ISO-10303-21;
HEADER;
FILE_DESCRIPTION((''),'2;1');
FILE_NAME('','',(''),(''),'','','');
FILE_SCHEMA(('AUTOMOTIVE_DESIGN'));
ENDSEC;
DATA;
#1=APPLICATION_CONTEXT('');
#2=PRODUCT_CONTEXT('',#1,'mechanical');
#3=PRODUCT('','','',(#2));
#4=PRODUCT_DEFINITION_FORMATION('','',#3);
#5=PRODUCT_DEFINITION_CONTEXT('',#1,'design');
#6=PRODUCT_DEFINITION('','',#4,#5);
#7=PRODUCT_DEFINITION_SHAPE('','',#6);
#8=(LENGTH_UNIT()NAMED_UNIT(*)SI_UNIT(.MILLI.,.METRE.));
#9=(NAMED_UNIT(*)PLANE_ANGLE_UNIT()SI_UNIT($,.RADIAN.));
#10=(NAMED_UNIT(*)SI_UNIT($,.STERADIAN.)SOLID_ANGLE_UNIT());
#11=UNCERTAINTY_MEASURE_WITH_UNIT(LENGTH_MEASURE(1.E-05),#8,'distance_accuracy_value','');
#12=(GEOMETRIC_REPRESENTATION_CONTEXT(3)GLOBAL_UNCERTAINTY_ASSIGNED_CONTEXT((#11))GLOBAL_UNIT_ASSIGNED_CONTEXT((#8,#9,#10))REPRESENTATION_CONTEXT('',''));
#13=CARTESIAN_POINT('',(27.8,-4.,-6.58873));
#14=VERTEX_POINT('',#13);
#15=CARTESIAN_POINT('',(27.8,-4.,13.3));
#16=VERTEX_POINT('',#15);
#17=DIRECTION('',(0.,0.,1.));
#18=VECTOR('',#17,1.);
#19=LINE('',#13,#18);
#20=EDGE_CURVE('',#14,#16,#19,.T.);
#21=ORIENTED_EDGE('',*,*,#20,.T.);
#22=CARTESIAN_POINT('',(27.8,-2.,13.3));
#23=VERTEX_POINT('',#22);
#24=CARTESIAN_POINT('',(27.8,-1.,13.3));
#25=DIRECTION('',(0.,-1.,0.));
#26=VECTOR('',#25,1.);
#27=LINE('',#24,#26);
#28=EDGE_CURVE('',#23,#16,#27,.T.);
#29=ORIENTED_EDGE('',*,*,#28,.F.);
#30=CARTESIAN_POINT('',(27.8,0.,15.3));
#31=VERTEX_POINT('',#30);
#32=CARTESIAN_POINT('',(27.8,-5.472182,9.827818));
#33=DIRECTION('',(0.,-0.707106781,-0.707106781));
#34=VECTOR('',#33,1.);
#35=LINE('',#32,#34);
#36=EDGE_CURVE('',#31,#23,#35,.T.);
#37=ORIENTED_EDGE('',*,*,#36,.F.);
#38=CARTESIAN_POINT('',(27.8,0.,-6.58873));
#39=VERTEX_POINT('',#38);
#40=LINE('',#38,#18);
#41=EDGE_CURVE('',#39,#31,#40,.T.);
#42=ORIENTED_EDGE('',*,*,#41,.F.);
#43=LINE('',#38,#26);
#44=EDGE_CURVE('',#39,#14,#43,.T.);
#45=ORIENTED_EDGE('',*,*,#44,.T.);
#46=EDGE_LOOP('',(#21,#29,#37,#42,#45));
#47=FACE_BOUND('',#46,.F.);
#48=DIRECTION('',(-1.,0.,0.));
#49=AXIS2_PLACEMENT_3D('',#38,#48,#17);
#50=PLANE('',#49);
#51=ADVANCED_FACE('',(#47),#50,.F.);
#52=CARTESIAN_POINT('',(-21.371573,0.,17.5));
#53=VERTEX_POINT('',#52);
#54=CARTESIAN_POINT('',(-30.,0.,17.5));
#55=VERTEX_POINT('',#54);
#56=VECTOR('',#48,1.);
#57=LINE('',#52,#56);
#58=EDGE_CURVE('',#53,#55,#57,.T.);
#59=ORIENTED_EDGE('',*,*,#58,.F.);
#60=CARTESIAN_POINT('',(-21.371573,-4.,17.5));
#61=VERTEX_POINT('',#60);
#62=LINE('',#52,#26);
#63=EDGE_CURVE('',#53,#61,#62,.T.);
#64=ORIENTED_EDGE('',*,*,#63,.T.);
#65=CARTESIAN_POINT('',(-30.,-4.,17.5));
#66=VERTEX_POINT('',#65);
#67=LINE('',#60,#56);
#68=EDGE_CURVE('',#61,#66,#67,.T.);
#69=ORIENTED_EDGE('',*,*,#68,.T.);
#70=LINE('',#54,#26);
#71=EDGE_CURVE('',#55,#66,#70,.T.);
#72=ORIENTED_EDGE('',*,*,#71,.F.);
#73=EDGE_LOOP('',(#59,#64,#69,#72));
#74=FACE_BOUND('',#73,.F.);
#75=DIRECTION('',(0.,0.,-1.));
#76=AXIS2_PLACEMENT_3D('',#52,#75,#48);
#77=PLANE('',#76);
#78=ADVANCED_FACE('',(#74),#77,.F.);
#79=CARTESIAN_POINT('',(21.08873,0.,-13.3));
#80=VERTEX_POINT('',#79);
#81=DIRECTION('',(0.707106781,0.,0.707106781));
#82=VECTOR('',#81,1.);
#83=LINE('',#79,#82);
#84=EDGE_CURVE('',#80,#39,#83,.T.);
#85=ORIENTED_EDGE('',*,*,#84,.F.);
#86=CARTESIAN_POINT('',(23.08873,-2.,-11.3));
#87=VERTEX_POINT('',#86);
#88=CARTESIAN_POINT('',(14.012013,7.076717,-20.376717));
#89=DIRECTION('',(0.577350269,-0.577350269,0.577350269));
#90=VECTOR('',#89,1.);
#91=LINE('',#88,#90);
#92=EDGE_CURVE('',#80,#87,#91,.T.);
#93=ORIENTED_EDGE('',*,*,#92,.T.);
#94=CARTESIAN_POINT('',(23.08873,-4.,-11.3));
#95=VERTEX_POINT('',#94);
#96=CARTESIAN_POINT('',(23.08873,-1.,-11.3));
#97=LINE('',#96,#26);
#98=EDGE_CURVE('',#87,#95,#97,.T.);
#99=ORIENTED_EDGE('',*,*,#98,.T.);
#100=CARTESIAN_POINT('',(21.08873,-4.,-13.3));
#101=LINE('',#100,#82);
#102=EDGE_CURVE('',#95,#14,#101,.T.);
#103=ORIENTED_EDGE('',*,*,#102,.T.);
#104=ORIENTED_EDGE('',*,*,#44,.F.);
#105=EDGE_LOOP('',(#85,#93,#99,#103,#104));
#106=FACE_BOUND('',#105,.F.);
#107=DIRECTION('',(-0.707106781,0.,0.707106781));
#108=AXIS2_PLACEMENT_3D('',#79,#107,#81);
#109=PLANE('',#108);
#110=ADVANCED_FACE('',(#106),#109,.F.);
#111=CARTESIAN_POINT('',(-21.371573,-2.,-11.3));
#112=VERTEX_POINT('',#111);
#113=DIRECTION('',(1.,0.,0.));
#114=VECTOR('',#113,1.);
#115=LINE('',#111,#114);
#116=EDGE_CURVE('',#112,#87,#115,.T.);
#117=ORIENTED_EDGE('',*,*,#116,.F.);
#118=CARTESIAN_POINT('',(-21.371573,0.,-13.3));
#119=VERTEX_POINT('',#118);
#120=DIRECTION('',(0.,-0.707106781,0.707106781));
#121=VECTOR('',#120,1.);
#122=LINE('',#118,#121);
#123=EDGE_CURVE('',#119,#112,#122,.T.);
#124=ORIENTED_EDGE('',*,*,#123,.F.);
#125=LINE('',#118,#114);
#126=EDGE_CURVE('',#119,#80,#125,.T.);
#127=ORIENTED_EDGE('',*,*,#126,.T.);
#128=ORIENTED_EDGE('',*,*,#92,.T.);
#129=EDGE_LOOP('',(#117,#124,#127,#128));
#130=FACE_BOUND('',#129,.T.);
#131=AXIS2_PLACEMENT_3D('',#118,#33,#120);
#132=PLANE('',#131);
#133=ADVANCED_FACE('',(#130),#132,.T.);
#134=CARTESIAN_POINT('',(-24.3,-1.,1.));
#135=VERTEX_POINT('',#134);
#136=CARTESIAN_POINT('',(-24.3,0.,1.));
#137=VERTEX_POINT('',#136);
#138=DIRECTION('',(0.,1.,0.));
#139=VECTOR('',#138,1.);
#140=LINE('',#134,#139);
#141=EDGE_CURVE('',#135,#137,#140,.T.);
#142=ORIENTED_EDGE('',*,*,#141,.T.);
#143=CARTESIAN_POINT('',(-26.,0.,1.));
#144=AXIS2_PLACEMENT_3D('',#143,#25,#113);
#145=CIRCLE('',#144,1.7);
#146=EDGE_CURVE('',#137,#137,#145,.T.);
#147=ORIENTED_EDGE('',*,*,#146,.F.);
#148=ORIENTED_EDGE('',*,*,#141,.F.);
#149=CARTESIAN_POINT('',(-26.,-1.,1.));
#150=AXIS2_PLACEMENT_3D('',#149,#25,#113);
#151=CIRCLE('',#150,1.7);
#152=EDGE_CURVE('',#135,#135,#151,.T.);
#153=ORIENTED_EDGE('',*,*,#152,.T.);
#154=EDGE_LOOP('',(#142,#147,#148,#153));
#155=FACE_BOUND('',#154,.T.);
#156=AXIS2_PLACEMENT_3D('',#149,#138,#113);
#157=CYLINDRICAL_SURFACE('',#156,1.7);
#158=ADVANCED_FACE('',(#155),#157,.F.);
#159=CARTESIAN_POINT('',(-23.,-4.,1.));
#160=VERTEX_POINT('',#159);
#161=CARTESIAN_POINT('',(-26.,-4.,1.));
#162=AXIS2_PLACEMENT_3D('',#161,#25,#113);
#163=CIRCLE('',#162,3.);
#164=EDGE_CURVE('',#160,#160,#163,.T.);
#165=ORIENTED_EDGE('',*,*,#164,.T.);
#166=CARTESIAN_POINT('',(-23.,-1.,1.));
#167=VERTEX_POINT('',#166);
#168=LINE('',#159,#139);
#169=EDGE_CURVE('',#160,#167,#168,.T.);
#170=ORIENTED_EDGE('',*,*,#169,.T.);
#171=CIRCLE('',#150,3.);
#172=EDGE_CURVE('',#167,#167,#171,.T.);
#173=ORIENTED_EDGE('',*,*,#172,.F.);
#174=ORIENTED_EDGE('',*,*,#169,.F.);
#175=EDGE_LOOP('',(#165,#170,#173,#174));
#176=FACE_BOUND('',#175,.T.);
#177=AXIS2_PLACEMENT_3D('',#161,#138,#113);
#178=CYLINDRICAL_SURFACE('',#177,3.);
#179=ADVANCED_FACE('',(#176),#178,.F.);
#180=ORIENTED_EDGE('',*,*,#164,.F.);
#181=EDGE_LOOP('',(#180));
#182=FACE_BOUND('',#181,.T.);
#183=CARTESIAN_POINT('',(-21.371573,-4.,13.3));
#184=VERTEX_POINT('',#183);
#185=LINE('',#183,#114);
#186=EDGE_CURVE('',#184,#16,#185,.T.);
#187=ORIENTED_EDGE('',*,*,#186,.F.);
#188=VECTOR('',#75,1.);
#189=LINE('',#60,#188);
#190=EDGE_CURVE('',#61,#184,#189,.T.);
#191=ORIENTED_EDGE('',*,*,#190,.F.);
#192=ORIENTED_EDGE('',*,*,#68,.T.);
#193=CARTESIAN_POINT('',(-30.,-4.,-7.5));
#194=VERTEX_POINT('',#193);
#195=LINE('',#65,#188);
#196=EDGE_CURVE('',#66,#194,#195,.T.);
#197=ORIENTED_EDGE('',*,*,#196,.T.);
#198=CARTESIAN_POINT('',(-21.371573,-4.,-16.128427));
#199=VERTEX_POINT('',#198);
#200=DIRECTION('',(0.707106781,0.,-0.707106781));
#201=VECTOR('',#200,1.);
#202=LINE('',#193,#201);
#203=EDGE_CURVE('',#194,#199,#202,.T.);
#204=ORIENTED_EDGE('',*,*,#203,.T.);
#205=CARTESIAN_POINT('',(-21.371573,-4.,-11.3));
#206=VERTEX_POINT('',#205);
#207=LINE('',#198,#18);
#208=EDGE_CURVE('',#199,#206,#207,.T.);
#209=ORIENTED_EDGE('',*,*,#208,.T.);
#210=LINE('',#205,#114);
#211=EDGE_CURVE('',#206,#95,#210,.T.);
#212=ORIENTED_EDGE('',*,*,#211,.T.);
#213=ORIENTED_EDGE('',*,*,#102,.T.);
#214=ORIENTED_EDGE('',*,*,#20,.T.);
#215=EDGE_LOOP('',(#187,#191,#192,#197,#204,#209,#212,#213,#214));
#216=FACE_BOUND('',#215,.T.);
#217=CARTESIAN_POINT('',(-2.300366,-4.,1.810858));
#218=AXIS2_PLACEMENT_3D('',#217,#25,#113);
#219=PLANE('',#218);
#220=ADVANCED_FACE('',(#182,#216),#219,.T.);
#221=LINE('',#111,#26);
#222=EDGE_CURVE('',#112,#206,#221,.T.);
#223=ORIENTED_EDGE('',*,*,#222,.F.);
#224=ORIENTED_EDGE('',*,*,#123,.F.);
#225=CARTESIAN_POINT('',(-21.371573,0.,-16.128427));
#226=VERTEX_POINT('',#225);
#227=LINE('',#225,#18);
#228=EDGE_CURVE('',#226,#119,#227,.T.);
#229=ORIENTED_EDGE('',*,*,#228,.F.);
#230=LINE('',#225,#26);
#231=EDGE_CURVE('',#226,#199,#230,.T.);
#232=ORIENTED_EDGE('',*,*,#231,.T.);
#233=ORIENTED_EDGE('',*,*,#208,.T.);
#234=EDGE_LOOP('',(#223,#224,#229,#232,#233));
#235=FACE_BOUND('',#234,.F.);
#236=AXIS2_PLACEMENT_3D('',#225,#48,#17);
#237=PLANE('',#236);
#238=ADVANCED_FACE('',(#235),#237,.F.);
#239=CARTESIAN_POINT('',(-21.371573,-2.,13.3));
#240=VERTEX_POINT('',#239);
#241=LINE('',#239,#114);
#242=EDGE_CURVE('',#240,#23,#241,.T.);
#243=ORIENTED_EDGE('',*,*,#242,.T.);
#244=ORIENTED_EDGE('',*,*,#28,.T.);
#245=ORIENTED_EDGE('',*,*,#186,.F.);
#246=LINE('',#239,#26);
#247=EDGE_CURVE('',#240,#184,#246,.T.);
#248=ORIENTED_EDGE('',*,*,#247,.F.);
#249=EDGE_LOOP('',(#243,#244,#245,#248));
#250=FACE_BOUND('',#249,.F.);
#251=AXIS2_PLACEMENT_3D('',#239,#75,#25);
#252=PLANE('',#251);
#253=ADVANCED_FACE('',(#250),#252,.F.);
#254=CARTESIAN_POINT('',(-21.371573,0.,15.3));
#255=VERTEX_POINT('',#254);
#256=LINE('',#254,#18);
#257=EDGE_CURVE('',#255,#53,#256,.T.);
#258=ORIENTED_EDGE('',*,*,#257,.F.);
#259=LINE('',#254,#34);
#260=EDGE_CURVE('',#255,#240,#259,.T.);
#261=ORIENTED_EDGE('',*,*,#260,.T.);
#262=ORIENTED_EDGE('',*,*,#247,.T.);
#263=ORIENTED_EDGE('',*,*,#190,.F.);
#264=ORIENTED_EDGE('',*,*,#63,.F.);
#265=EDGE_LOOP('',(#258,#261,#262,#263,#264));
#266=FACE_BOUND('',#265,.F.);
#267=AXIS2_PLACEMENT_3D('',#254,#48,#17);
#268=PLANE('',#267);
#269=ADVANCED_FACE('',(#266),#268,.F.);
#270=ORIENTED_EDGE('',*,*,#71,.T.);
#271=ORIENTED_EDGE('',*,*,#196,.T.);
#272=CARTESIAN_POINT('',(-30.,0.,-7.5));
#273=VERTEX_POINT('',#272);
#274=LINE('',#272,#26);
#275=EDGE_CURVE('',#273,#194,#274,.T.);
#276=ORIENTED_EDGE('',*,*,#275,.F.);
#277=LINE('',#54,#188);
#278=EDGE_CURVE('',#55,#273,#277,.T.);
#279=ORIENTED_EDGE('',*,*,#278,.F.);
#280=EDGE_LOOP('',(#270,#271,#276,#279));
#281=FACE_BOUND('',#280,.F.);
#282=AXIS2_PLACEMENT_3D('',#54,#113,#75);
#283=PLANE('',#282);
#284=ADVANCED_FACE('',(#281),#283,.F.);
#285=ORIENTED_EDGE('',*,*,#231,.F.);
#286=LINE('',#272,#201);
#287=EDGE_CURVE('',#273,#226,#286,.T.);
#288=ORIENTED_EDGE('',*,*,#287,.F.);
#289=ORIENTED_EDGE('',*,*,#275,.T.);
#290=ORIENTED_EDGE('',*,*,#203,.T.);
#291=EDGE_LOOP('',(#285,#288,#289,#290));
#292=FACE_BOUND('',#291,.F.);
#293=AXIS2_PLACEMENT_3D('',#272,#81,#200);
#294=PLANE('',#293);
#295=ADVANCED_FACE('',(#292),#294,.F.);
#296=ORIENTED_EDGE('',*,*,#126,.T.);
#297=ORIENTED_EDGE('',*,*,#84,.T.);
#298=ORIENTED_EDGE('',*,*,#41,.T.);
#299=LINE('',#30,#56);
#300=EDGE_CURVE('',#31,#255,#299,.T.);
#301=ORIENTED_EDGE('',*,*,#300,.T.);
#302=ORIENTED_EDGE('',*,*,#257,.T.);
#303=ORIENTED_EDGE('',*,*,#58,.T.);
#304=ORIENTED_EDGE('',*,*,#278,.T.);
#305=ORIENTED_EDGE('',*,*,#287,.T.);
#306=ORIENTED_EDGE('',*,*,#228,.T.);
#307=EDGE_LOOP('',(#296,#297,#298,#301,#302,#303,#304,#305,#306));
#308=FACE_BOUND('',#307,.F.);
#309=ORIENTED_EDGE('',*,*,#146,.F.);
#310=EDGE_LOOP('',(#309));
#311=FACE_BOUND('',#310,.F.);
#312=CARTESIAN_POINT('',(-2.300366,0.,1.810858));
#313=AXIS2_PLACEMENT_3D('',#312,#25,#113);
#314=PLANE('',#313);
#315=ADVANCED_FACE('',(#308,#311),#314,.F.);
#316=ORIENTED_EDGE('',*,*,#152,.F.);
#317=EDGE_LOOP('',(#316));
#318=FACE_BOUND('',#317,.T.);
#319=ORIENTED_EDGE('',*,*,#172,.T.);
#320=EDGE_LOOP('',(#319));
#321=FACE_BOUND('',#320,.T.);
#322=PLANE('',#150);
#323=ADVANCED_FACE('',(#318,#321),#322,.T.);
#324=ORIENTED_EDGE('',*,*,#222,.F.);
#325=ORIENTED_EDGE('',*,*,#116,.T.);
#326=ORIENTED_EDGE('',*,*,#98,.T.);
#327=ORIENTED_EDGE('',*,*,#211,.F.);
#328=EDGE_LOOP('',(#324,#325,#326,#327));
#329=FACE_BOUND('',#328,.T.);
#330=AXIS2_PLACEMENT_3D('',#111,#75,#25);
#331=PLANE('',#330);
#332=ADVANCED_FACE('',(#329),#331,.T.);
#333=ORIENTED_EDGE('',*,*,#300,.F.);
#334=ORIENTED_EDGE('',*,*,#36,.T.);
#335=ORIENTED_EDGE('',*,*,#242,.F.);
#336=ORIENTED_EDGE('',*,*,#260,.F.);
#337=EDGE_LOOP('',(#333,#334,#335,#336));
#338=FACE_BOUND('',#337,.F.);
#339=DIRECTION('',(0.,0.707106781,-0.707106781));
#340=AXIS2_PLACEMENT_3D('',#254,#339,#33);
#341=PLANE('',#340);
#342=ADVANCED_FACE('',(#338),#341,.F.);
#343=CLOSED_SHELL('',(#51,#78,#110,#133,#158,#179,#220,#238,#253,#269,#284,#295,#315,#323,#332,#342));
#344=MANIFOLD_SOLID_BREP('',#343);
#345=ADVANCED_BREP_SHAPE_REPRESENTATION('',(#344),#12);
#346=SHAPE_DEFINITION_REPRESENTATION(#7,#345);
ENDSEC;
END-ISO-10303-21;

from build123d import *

# Parameters (mm, degrees)
PAD005_DEPTH    = 4
POCKET010_DEPTH = 49.172573
POCKET011_DEPTH = 49.172573


with BuildPart() as part:
    # Sketch016 → Pad005 (new body)
    with BuildSketch(Plane.XZ):
        Polygon((-21.371573, 17.5), (-30, 17.5), (-30, -7.5), (-21.371573, -16.128427), (-21.371573, -13.3), (21.08873, -13.3), (27.8, -6.58873), (27.8, 15.3), (-21.371573, 15.3), align=None)
    extrude(amount=PAD005_DEPTH)

    # Sketch017 (on DatumPlane) → Pocket010 (cut, through all)
    with BuildSketch(Plane(origin=(-21.371573, 0, 0), x_dir=(0, 0, -1), z_dir=(-1, 0, 0))):
        Polygon((13.3, 0), (11.3, 2), (11.3, 4), (13.3, 4), align=None)
    extrude(amount=-POCKET010_DEPTH, mode=Mode.SUBTRACT)

    # Sketch018 (on DatumPlane) → Pocket011 (cut, through all)
    with BuildSketch(Plane(origin=(-21.371573, 0, 0), x_dir=(0, 0, -1), z_dir=(-1, 0, 0))):
        Polygon((-15.3, 4), (-15.3, 0), (-13.3, 2), (-13.3, 4), align=None)
    extrude(amount=-POCKET011_DEPTH, mode=Mode.SUBTRACT)

    # Sketch020 (on DatumPlane) → Groove (revolve, cut)
    with BuildSketch(Plane(origin=(-26, -41, 1), x_dir=(1, 0, 0), z_dir=(0, 0, -1))):
        Polygon((0, -41), (0, -37), (3, -37), (3, -40), (1.7, -40), (1.7, -41), align=None)
    revolve(axis=Axis((-26, -41, 1), (0, -1, 0)), mode=Mode.SUBTRACT)


solid = part.part
